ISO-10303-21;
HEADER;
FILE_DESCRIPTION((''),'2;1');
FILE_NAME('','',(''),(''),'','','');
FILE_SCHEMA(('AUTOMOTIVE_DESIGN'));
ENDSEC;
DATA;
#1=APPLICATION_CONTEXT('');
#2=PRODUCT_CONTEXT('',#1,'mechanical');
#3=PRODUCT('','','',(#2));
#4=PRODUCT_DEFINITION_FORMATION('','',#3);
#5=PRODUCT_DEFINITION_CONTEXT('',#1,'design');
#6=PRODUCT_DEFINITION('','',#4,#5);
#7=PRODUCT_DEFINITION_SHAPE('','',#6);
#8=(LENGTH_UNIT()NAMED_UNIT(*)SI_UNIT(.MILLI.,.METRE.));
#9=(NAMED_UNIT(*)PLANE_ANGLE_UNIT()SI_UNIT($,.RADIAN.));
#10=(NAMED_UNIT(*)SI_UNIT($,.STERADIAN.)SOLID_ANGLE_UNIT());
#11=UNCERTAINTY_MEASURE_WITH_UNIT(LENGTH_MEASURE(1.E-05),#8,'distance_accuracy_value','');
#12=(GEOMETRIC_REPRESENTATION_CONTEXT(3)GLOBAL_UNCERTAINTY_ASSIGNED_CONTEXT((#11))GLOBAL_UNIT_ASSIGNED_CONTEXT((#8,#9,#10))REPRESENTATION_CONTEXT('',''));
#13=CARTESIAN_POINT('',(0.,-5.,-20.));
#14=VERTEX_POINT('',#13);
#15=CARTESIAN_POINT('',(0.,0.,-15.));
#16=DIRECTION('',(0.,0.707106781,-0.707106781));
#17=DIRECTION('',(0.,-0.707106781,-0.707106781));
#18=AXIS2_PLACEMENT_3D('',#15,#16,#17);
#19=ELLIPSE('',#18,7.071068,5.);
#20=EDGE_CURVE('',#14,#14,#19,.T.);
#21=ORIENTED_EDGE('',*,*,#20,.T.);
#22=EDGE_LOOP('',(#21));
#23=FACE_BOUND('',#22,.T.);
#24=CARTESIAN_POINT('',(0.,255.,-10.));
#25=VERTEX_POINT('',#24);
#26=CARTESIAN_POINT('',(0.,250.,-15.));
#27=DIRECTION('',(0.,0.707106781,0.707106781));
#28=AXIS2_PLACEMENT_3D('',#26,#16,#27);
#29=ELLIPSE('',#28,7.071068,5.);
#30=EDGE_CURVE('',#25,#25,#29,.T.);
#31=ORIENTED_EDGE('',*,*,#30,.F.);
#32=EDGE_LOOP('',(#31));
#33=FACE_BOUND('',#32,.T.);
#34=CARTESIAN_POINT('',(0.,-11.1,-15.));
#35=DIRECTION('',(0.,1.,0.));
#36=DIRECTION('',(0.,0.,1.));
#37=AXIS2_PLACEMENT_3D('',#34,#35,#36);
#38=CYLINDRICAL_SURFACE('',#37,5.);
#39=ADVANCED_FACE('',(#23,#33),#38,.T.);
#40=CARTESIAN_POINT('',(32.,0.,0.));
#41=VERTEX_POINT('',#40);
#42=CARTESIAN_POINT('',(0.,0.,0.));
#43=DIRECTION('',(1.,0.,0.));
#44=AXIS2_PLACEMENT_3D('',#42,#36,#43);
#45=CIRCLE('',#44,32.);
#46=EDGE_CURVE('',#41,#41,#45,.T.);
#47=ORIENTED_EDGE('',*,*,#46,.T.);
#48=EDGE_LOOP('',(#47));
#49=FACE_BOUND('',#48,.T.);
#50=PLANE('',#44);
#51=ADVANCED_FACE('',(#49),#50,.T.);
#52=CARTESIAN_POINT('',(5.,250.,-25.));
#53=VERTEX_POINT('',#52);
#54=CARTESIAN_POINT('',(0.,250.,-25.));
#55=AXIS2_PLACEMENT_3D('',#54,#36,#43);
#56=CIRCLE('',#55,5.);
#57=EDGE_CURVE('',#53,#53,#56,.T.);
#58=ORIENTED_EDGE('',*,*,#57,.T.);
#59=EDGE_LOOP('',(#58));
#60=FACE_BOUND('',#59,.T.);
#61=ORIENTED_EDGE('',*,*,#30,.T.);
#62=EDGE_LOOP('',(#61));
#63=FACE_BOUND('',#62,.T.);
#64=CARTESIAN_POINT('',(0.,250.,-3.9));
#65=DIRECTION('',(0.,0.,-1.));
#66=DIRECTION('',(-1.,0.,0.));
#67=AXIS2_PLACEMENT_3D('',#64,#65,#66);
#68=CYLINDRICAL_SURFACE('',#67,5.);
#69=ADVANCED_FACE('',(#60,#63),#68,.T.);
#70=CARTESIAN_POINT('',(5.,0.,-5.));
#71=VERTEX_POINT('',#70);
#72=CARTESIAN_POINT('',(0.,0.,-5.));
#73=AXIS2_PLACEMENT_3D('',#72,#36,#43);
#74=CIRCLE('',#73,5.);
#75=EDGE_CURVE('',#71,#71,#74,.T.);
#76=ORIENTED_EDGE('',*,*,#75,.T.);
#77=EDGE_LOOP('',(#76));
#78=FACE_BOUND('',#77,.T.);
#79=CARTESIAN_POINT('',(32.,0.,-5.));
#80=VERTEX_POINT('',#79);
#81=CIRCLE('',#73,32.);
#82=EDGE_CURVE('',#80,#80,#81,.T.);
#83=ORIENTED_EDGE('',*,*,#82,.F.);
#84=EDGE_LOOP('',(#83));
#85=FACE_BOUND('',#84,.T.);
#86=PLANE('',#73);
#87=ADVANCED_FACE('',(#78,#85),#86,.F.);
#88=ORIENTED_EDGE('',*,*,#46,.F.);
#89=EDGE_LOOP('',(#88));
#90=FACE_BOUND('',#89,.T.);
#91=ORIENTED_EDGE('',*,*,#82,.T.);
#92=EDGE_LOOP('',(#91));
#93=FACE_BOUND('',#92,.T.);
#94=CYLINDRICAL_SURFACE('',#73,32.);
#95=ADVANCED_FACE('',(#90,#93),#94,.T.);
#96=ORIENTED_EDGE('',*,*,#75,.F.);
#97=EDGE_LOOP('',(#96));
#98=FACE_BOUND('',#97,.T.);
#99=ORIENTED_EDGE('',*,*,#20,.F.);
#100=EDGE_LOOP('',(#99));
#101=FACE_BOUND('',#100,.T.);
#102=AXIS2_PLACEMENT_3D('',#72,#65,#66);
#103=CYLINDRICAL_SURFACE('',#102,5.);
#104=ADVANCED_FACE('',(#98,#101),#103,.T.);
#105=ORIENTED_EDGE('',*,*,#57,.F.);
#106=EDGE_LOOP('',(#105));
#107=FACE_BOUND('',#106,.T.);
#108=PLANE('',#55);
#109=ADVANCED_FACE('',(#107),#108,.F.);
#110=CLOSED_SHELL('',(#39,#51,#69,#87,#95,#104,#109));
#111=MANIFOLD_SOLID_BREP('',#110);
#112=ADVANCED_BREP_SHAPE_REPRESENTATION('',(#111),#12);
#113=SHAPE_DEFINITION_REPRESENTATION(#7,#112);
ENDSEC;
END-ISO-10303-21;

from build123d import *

# Parameters (mm, degrees)
SKETCH_1_R      = 32
EXTRUDE_2_DEPTH = 5
SKETCH_5_R      = 5


with BuildPart() as part:
    # 草图1 → 凸台-拉伸2 (new body)
    with BuildSketch(Plane.XY):
        Circle(SKETCH_1_R)
    extrude(amount=-EXTRUDE_2_DEPTH)

    # 扫描1: sweep along a path in 草图2
    with BuildLine(Plane(origin=(0, 0, 0), x_dir=(0, 0, -1), z_dir=(1, 0, 0))) as sweep_1_path:
        Line((5, 0), (15, 0))
        Line((15, 0), (15, 250))
        Line((15, 250), (25, 250))
    # 草图5 → 扫描1 (sweep)
    with BuildSketch(Plane.XY.offset(-5)):
        Circle(SKETCH_5_R)
    sweep(path=sweep_1_path.line, transition=Transition.RIGHT)


solid = part.part
